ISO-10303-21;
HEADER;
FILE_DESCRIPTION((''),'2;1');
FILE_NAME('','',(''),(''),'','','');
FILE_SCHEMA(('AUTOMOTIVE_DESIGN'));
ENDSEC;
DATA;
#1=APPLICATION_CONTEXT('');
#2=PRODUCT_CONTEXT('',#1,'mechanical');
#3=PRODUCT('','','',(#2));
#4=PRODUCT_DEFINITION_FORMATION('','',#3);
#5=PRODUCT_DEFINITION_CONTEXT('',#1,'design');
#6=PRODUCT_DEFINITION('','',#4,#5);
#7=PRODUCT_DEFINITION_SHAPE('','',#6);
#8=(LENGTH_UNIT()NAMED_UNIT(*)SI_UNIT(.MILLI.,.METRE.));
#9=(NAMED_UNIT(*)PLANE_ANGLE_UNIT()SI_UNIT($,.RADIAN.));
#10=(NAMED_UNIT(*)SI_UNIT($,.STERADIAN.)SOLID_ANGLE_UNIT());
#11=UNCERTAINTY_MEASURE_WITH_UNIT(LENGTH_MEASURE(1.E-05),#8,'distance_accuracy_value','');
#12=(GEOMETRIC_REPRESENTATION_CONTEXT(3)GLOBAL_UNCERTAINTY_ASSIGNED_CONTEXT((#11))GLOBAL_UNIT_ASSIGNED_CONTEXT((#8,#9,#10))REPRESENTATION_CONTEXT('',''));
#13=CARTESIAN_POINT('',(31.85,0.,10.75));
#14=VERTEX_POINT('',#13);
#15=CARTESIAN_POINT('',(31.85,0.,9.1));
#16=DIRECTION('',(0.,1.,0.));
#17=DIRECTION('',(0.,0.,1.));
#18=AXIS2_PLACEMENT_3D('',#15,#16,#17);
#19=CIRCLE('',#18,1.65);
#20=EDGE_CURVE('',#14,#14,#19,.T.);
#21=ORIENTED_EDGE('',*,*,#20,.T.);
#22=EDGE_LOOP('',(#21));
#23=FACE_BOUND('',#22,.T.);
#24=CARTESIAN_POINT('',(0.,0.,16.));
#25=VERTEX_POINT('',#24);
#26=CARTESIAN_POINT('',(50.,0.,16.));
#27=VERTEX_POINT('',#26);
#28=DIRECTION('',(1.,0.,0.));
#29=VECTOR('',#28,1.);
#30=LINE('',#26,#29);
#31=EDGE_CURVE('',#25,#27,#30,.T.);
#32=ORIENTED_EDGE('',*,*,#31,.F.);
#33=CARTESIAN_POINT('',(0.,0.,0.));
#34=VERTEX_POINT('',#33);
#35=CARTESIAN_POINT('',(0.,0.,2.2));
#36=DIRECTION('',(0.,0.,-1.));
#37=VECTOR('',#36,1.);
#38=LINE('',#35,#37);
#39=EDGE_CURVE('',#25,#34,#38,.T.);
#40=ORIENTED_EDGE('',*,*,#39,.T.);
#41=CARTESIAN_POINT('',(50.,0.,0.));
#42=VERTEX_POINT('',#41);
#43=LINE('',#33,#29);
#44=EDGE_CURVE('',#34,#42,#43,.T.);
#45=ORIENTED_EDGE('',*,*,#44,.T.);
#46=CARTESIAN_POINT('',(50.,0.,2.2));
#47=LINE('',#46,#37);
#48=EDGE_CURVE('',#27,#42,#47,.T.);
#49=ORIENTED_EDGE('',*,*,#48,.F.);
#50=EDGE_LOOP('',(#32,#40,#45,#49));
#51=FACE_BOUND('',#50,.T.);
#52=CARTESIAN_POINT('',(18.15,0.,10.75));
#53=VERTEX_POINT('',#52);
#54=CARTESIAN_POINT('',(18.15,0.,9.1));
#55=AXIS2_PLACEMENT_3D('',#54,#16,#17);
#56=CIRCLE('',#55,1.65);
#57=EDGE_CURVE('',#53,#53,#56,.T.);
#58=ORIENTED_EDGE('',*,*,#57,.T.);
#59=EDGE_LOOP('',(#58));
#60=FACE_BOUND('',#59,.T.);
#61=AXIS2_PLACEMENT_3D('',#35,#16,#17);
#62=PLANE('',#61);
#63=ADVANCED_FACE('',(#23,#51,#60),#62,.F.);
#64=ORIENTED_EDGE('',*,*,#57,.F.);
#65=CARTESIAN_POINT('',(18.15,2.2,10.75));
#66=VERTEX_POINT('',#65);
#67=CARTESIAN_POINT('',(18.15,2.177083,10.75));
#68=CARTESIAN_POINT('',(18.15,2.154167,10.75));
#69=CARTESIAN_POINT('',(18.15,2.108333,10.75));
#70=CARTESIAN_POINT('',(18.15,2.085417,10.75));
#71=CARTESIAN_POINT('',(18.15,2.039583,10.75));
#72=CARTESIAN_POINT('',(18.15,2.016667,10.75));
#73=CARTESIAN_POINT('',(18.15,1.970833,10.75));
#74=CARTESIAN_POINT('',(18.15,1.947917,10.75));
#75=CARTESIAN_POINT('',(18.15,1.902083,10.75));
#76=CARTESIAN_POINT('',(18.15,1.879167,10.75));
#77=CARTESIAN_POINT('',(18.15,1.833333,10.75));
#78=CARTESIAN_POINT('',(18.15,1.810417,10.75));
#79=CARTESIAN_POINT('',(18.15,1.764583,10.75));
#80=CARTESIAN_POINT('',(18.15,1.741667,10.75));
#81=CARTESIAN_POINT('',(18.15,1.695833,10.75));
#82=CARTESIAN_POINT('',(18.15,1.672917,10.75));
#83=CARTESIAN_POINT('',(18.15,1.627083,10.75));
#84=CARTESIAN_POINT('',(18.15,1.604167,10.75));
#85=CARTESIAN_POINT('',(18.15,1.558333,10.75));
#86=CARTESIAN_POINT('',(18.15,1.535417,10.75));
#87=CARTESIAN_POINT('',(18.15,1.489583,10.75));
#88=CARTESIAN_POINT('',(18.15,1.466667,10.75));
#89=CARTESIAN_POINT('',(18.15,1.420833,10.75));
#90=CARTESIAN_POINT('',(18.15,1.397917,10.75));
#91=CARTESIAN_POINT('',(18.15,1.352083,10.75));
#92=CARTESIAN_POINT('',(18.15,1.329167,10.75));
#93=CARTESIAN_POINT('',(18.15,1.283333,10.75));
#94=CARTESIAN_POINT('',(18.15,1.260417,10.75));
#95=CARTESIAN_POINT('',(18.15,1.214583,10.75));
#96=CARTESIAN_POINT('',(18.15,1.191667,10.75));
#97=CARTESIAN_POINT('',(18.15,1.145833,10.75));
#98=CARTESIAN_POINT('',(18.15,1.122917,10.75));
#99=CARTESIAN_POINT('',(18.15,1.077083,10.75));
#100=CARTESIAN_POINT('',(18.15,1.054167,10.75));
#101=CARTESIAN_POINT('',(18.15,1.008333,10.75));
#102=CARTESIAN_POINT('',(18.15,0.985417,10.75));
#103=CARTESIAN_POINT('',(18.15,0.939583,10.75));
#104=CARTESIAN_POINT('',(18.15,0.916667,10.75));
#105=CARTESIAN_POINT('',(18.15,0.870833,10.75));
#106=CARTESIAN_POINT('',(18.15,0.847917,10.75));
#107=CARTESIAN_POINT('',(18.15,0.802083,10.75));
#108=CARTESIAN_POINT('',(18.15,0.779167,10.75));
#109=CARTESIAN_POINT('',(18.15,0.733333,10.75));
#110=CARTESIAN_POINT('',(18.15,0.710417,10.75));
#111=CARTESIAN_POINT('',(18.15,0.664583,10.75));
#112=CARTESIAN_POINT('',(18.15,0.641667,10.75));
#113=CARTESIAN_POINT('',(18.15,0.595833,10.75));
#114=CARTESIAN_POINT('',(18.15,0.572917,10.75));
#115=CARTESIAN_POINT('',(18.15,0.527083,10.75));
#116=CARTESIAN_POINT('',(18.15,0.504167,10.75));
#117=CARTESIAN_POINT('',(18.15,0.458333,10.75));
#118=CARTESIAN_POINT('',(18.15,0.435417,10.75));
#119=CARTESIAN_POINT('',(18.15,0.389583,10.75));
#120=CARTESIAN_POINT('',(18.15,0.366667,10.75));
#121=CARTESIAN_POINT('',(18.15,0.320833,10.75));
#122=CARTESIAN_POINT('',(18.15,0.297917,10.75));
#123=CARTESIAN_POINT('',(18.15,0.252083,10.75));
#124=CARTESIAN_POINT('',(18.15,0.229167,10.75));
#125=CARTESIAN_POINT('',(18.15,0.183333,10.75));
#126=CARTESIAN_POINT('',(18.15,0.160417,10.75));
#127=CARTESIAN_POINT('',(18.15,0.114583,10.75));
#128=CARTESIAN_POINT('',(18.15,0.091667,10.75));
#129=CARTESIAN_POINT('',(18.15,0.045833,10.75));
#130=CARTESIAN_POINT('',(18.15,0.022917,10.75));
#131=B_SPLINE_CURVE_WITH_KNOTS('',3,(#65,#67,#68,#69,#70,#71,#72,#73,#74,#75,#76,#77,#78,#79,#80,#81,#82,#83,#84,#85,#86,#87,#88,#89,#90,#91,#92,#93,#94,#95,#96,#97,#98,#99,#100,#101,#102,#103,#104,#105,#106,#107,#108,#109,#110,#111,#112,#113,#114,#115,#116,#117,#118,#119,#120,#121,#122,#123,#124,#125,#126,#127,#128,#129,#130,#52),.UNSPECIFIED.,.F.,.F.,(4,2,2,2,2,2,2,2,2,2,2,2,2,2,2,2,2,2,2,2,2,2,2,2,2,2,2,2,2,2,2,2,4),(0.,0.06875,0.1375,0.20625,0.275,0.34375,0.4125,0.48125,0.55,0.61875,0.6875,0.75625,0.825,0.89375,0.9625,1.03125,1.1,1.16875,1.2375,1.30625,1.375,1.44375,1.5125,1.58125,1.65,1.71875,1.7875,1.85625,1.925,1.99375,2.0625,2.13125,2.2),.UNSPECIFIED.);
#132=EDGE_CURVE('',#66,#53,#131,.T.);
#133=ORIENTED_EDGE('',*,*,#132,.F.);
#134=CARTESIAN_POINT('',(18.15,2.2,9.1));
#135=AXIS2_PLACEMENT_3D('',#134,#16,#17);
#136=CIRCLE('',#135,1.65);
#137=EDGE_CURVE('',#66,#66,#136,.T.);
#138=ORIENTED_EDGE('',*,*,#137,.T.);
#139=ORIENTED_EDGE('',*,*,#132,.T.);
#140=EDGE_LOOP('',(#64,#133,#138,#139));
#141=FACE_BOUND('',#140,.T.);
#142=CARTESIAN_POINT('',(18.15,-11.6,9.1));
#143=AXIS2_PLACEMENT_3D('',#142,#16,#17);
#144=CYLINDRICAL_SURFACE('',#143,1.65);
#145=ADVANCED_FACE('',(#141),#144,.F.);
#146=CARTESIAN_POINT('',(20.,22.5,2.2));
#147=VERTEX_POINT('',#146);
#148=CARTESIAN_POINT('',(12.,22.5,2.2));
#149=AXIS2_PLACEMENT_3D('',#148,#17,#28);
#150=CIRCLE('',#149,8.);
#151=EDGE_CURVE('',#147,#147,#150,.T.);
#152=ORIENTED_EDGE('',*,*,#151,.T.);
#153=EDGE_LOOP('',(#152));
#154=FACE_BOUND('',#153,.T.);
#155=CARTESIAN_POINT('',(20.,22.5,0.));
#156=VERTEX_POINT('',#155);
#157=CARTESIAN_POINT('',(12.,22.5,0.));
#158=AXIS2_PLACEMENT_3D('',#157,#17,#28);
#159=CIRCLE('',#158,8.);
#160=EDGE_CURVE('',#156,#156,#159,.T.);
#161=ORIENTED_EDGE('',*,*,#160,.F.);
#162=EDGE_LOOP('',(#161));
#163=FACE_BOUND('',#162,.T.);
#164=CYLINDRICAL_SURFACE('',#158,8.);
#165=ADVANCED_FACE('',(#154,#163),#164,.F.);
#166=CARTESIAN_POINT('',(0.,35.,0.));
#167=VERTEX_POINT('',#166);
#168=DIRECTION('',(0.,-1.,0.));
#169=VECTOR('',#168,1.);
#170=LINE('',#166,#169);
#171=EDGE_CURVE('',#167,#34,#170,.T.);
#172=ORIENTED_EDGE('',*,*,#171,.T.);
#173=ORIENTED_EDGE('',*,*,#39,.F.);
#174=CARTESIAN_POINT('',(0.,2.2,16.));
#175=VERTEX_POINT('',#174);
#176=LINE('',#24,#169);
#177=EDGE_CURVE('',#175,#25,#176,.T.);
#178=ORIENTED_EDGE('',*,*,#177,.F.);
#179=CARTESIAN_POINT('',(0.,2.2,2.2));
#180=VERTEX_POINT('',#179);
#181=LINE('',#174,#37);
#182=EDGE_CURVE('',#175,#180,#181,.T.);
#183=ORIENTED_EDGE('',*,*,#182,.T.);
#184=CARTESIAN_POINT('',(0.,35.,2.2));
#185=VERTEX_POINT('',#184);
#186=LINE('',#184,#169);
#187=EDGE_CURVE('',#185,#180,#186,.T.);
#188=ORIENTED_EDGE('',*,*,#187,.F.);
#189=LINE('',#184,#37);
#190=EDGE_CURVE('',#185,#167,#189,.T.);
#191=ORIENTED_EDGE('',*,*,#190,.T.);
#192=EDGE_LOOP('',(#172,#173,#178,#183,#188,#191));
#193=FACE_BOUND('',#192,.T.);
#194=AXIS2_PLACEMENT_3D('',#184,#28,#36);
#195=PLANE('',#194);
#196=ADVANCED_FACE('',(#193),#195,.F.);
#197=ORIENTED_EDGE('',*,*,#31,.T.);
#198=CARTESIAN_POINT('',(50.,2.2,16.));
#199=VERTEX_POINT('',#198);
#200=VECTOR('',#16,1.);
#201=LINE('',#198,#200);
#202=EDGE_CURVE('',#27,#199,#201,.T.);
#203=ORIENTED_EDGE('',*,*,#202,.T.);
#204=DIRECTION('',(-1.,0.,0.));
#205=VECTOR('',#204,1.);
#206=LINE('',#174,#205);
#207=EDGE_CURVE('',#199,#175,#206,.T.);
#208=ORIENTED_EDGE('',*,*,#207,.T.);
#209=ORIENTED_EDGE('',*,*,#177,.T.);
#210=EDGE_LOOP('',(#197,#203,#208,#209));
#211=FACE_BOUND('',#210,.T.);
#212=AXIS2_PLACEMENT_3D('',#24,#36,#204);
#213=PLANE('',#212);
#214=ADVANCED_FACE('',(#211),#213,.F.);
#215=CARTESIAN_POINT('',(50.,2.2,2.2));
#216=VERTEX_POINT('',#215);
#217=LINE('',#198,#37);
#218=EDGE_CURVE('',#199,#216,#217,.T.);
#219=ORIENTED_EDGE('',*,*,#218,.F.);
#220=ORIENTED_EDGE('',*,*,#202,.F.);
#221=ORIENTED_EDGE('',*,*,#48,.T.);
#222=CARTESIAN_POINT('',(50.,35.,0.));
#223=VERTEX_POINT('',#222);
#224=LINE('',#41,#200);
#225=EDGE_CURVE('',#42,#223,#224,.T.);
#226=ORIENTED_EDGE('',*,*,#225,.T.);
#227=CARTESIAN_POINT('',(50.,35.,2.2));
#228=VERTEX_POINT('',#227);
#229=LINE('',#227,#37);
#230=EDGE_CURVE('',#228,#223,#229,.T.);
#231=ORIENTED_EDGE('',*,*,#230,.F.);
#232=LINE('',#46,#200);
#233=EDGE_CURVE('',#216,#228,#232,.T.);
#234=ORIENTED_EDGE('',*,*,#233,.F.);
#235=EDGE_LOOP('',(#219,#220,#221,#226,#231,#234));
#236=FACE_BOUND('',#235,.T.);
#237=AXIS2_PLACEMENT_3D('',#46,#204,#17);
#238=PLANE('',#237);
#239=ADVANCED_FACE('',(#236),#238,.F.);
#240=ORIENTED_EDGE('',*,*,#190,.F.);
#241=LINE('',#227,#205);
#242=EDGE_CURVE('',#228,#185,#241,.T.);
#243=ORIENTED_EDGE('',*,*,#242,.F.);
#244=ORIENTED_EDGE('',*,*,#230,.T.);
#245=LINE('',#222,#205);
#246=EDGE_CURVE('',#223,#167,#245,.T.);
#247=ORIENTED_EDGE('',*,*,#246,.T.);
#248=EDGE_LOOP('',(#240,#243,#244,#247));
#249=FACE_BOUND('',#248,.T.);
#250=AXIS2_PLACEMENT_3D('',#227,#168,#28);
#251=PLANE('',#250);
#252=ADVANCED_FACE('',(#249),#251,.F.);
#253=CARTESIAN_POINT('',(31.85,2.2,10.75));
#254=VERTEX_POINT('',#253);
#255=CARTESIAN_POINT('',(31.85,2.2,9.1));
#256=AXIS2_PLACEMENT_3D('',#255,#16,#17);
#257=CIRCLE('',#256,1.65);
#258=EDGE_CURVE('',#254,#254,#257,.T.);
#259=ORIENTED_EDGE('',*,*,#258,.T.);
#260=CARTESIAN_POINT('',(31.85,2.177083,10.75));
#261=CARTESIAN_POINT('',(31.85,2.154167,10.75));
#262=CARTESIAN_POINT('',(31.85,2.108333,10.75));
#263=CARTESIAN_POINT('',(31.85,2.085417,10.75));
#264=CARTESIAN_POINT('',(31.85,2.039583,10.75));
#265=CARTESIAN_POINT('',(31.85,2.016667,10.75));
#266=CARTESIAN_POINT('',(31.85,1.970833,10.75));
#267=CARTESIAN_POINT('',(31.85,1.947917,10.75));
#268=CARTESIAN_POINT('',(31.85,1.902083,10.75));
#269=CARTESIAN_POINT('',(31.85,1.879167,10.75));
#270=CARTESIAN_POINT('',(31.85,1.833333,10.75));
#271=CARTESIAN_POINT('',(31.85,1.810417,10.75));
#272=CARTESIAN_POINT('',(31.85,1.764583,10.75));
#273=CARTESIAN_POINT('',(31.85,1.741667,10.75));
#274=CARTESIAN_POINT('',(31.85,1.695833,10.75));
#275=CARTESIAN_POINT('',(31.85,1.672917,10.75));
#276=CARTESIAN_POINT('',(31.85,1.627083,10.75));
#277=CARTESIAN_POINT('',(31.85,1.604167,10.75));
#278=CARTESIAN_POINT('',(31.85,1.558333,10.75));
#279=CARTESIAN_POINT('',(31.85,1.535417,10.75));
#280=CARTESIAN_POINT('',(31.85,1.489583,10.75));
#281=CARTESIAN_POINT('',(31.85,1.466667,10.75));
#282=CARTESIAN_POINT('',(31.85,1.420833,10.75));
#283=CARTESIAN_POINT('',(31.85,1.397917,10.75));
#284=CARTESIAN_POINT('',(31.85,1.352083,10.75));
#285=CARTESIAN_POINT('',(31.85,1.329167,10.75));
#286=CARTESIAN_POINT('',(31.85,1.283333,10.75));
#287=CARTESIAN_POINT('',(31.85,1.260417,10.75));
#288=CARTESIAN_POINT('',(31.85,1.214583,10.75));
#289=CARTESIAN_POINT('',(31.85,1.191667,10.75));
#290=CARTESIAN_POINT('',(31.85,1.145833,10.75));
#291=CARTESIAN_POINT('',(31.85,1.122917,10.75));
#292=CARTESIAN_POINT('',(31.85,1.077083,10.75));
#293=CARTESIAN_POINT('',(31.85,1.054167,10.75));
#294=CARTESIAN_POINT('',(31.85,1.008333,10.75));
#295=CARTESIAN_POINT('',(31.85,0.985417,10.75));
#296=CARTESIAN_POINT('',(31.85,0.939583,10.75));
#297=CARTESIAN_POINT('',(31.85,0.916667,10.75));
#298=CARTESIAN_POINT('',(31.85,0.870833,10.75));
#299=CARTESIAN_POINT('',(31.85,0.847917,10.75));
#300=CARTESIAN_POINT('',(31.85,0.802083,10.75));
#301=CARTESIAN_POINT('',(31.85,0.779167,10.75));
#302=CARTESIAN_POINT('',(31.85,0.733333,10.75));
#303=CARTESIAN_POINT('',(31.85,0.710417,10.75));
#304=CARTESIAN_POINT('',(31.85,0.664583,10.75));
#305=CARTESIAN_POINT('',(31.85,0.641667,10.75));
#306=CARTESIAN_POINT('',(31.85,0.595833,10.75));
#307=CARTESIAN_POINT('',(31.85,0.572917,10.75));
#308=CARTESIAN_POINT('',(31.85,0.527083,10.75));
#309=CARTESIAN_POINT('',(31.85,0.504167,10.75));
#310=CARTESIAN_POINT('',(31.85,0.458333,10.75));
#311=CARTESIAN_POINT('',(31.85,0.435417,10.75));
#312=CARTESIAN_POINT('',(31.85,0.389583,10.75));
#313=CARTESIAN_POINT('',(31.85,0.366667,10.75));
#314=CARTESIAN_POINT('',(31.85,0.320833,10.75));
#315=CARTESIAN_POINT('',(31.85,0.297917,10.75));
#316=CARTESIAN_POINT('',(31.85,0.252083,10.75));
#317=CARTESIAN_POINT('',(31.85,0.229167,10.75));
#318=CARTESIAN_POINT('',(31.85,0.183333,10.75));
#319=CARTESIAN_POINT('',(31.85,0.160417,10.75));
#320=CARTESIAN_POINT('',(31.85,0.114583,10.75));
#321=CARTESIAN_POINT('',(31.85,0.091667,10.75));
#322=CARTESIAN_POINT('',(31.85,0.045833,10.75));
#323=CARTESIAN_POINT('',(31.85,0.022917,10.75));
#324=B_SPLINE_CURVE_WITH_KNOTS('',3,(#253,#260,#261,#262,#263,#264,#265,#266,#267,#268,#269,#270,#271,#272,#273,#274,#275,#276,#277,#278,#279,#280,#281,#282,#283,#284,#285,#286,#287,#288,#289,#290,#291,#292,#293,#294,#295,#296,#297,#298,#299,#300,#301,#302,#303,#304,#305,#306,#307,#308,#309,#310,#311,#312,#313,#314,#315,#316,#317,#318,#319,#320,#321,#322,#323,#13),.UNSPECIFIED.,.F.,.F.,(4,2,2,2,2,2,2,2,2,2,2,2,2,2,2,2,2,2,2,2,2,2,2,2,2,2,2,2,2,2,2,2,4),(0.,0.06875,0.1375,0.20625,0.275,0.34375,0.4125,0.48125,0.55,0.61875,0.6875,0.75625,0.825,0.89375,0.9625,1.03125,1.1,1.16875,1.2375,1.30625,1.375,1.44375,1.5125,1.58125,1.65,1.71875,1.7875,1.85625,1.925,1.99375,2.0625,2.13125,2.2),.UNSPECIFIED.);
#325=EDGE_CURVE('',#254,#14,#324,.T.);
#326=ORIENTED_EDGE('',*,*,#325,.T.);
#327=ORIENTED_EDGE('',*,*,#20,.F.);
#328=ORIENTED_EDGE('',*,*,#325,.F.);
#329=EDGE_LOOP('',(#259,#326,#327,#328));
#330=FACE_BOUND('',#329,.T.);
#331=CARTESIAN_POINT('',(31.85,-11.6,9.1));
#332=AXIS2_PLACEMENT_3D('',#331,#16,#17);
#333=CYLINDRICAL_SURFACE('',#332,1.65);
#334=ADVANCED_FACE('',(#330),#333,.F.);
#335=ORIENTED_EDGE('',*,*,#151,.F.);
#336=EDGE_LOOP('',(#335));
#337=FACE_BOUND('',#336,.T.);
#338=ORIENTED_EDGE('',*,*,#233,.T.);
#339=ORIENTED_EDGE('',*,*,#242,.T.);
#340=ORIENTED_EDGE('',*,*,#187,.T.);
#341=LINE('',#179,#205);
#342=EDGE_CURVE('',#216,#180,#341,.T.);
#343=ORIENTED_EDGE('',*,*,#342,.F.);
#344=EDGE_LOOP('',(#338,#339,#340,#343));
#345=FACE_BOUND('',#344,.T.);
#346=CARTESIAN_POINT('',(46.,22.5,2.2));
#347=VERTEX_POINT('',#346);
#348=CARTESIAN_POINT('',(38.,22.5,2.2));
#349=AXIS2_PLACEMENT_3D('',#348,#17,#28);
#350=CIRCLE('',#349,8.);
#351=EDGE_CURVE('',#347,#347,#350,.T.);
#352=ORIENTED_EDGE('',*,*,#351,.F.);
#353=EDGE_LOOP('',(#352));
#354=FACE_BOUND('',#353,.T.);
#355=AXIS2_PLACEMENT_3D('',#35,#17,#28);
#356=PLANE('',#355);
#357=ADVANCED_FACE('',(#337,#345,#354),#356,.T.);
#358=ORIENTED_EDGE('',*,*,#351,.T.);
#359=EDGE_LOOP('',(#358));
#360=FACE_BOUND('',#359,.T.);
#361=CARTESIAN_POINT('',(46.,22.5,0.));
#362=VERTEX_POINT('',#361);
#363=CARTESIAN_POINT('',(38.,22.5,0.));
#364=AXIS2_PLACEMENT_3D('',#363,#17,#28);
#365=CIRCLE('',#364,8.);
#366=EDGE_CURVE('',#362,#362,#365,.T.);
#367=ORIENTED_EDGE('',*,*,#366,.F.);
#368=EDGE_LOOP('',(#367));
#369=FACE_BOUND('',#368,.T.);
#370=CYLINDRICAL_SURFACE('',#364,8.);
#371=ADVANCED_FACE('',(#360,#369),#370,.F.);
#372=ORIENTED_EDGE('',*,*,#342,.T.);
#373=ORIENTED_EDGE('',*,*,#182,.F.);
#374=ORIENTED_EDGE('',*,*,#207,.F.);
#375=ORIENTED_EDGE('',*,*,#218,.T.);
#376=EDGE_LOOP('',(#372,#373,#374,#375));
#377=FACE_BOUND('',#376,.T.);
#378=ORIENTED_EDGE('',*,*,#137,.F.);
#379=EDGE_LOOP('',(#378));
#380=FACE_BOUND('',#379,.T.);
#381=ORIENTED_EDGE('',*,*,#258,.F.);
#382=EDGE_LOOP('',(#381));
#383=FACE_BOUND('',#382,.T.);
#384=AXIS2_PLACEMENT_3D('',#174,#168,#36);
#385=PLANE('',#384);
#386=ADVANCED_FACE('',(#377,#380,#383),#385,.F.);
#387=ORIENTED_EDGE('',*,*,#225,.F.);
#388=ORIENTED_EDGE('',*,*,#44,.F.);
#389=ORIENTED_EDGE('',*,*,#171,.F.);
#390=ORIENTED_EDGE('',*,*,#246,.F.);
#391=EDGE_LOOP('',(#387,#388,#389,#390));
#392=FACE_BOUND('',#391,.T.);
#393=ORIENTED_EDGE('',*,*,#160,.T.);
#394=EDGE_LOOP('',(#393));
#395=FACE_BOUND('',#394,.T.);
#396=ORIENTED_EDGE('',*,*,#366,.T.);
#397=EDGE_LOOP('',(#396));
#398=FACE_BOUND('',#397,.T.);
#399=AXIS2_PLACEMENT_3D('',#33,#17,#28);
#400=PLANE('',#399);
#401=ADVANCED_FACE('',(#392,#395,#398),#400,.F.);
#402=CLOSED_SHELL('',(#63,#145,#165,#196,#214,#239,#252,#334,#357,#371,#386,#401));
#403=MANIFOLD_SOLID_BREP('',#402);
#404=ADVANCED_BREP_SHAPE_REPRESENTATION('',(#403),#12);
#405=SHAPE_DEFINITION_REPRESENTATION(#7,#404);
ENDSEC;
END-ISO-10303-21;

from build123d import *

# Parameters (mm, degrees)
SKETCH_1_W          = 50
SKETCH_1_H          = 35
EXTRUDE_1_DEPTH     = 2.2
SKETCH_2_R          = 8
CUT_EXTRUDE_1_DEPTH = 2.2
SKETCH_3_W          = 50
SKETCH_3_H          = 2.2
EXTRUDE_2_DEPTH     = 13.8
SKETCH_4_R          = 1.65
CUT_EXTRUDE_2_DEPTH = 13.8


with BuildPart() as part:
    # 草图1 → 凸台-拉伸1 (new body)
    with BuildSketch(Plane.XY):
        with Locations((25, 17.5)):
            Rectangle(SKETCH_1_W, SKETCH_1_H)
    extrude(amount=EXTRUDE_1_DEPTH)

    # 草图2 → 切除-拉伸1 (cut)
    with BuildSketch(Plane.XY.offset(2.2)):
        with Locations((12, 22.5)):
            Circle(SKETCH_2_R)
        with Locations((38, 22.5)):
            Circle(SKETCH_2_R)
    extrude(amount=-CUT_EXTRUDE_1_DEPTH, mode=Mode.SUBTRACT)

    # 草图3 → 凸台-拉伸2 (add)
    with BuildSketch(Plane.XY.offset(2.2)):
        with Locations((25, 1.1)):
            Rectangle(SKETCH_3_W, SKETCH_3_H)
    extrude(amount=EXTRUDE_2_DEPTH)

    # 草图4 → 切除-拉伸2 (cut)
    with BuildSketch(Plane(origin=(0, 2.2, 0), x_dir=(1, 0, 0), z_dir=(0, 1, 0))):
        with Locations(Location((18.15, -9.1, 0), (0, 0, 270))):
            Circle(SKETCH_4_R)
        with Locations(Location((31.85, -9.1, 0), (0, 0, 270))):
            Circle(SKETCH_4_R)
    extrude(amount=-CUT_EXTRUDE_2_DEPTH, mode=Mode.SUBTRACT)


solid = part.part
